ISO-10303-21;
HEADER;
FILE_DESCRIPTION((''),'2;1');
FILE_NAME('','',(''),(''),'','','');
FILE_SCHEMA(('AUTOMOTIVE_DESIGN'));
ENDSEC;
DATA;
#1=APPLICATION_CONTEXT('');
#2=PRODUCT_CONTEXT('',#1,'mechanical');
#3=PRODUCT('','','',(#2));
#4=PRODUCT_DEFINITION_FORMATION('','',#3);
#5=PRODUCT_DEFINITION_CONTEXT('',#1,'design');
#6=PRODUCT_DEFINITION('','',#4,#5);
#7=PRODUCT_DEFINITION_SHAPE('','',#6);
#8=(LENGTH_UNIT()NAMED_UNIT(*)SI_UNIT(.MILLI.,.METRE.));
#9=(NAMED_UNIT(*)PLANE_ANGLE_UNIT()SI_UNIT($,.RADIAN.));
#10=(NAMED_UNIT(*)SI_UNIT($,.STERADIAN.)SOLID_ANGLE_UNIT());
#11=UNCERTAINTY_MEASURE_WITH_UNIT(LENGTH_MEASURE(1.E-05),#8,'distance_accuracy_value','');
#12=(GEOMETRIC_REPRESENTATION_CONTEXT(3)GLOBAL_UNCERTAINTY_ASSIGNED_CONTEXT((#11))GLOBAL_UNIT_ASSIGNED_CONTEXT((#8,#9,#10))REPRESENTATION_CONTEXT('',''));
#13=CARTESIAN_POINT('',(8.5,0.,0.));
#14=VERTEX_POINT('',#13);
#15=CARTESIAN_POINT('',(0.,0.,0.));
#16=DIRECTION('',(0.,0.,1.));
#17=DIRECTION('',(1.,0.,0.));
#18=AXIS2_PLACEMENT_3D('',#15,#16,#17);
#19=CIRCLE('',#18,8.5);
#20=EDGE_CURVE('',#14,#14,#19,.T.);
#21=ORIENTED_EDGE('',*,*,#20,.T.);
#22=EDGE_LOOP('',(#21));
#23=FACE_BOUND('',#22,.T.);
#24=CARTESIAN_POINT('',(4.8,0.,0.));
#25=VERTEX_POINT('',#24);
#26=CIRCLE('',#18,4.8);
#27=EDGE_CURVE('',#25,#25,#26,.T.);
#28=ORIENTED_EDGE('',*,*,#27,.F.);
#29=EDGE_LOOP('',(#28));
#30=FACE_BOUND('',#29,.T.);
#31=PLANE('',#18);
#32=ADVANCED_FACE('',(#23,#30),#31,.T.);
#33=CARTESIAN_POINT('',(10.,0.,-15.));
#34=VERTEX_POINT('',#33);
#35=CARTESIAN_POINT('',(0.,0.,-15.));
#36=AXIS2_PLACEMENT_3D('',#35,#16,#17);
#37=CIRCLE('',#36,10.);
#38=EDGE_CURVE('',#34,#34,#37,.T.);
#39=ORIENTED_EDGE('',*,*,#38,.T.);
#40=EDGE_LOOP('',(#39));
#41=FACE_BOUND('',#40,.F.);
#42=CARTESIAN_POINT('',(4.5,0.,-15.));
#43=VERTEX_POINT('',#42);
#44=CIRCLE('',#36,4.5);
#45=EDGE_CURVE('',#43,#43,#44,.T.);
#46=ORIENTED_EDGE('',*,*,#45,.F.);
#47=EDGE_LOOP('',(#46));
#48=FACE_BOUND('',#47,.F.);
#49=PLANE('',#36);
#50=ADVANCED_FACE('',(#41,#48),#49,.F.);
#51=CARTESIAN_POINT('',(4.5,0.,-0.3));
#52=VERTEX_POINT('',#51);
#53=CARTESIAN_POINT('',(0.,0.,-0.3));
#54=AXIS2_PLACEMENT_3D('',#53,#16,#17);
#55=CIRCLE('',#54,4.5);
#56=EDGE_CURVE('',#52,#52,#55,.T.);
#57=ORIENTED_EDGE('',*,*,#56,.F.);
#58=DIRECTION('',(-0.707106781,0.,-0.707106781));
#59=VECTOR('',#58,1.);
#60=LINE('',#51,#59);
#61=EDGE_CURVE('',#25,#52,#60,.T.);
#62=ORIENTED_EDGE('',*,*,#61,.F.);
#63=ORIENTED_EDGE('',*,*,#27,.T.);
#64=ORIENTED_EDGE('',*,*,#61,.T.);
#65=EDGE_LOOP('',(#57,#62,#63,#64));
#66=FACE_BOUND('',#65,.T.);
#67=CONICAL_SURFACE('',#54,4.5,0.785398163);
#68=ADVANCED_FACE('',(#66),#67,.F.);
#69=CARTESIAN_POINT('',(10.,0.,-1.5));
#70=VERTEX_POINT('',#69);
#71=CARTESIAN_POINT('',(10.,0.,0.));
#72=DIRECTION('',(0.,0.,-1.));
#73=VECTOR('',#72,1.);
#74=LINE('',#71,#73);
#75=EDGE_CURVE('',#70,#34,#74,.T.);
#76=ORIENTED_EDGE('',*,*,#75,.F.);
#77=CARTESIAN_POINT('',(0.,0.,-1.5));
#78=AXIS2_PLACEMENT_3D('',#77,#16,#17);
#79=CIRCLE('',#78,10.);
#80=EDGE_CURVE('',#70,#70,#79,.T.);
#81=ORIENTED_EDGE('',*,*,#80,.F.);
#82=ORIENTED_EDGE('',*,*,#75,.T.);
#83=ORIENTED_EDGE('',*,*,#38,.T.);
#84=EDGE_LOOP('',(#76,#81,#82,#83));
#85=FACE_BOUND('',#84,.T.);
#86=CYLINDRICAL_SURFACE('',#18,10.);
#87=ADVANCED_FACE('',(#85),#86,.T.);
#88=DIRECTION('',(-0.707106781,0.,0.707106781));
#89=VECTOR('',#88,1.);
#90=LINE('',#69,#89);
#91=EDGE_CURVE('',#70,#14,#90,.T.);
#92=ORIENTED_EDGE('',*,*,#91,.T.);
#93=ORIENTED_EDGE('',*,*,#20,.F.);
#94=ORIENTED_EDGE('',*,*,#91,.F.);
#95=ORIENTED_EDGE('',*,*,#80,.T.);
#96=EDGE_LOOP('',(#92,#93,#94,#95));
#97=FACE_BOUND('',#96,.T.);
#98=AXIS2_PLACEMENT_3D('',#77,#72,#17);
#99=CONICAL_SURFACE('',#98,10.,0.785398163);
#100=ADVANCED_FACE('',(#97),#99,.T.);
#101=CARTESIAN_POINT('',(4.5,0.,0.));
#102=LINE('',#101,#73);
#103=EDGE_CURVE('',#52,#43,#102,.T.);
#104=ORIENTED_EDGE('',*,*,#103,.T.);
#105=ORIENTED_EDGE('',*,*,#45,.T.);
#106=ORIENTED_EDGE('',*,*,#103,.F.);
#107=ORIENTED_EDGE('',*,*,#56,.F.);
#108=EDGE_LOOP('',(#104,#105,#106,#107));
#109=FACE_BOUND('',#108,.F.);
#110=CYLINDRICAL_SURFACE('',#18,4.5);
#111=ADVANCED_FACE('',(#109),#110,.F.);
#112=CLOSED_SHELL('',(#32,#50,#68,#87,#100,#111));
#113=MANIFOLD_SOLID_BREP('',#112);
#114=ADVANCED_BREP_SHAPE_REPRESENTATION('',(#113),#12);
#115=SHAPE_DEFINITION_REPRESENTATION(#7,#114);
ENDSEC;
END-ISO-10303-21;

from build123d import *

# Parameters (mm, degrees)
F0_R     = 10
F0_R_2   = 4.5
F1_DEPTH = 15
F2_SIZE  = 1.5
F3_SIZE  = 0.3


with BuildPart() as f1:
    # F0 (on Top) → F1 (new body)
    with BuildSketch(Plane.XY):
        Circle(F0_R)
        Circle(F0_R_2, mode=Mode.SUBTRACT)
    extrude(amount=-F1_DEPTH)

    # F2
    f2_edges = [f1.edges().sort_by_distance(p)[0] for p in [
        (-10, 0, 0),
    ]]
    chamfer(f2_edges, length=F2_SIZE)

    # F3
    f3_edges = [f1.edges().sort_by_distance(p)[0] for p in [
        (-4.5, 0, 0),
    ]]
    chamfer(f3_edges, length=F3_SIZE)


solid = f1.part
